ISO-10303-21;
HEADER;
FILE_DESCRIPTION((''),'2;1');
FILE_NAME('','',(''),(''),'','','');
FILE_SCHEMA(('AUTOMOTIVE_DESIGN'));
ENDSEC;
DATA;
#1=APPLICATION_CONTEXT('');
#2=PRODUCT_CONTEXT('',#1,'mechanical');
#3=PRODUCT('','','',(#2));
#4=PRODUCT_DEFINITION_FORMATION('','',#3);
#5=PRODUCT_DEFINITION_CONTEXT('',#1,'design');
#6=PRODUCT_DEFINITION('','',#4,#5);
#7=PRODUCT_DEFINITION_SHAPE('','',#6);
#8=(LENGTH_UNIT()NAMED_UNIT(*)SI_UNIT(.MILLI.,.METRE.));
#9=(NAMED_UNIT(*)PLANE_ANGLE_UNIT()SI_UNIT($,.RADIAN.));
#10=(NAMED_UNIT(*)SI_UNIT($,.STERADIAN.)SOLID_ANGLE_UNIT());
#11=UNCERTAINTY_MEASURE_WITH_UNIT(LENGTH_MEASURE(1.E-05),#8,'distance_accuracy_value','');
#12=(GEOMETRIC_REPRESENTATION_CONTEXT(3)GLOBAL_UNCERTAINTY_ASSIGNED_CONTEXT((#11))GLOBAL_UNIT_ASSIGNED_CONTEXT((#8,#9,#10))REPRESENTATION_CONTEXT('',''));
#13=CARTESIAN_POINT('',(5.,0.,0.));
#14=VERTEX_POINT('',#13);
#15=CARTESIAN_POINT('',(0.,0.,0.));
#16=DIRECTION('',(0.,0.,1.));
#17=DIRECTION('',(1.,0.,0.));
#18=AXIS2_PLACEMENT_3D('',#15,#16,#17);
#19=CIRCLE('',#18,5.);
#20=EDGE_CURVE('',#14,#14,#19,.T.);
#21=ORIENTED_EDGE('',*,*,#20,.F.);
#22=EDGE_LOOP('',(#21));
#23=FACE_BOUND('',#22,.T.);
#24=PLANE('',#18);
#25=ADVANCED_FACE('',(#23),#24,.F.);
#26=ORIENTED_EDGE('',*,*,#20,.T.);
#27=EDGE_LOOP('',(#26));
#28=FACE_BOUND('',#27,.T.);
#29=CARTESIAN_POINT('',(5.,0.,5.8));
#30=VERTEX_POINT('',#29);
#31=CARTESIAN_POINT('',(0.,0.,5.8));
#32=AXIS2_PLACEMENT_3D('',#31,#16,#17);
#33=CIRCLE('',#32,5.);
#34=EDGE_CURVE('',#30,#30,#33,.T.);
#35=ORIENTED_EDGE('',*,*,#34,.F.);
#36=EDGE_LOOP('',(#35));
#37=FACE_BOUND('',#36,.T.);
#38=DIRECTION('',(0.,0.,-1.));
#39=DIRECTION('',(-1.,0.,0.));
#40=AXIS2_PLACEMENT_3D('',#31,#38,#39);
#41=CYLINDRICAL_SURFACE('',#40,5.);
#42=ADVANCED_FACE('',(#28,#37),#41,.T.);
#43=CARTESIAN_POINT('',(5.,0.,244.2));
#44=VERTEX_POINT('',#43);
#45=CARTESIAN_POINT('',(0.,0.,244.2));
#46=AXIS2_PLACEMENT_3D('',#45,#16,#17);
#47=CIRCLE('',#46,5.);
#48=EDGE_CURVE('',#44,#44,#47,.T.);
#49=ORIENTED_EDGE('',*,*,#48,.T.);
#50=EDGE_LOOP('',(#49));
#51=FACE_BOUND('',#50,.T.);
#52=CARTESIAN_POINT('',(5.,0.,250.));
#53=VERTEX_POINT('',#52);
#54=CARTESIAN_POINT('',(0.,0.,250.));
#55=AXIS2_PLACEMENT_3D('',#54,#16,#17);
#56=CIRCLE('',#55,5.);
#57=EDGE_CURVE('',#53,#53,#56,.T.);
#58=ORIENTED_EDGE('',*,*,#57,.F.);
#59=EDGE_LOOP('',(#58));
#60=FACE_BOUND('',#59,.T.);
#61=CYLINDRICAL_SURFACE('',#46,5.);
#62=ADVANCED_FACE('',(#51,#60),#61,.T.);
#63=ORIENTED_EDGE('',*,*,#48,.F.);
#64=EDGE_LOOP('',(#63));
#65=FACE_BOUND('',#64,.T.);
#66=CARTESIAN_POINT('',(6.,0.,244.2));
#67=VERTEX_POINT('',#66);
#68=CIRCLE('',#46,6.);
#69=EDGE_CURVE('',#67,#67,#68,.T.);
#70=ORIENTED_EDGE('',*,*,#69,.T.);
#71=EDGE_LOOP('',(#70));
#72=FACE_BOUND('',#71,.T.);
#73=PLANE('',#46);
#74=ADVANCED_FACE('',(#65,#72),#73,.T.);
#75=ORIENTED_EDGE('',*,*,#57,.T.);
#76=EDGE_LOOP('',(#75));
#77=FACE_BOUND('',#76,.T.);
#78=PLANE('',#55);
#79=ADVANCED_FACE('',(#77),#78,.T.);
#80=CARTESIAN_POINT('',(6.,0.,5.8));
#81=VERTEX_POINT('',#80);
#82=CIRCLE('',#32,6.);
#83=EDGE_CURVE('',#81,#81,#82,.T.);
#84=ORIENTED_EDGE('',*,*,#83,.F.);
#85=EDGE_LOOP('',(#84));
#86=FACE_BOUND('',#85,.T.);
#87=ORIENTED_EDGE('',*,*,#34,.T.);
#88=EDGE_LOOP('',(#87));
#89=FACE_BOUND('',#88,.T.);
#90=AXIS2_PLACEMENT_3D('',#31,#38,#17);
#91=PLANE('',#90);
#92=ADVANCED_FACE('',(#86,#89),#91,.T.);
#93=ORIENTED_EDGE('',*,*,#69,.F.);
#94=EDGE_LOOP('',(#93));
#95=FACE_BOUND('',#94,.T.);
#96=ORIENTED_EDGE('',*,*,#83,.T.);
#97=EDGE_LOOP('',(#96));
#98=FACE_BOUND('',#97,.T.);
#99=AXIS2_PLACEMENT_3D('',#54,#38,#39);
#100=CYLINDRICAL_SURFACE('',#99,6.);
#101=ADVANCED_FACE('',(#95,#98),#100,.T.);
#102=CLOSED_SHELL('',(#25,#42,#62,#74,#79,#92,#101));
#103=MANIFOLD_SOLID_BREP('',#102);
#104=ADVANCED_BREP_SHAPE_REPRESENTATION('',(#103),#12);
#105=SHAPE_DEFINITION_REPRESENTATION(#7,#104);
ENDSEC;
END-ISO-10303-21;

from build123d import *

# Parameters (mm, degrees)
SKETCH_1_R          = 6
EXTRUDE_1_DEPTH     = 250
CUT_EXTRUDE_START   = -5.8
SKETCH_2_R          = 6
SKETCH_2_R_2        = 5
CUT_EXTRUDE_1_DEPTH = 5.8


with BuildPart() as part:
    # ｽｹｯﾁ1 → ﾎﾞｽ - 押し出し1 (new body)
    with BuildSketch(Plane.XY):
        Circle(SKETCH_1_R)
    extrude(amount=EXTRUDE_1_DEPTH)

    # ｽｹｯﾁ2 → ｶｯﾄ - 押し出し1 (cut)
    with BuildSketch(Plane.XY.offset(250).offset(CUT_EXTRUDE_START)):
        Circle(SKETCH_2_R)
        Circle(SKETCH_2_R_2, mode=Mode.SUBTRACT)
    cut_extrude_1 = extrude(amount=CUT_EXTRUDE_1_DEPTH, mode=Mode.SUBTRACT)

    # ﾐﾗｰ1: ｶｯﾄ - 押し出し1 across plane
    add(cut_extrude_1.mirror(Plane.XY.offset(125)), mode=Mode.SUBTRACT)


solid = part.part
